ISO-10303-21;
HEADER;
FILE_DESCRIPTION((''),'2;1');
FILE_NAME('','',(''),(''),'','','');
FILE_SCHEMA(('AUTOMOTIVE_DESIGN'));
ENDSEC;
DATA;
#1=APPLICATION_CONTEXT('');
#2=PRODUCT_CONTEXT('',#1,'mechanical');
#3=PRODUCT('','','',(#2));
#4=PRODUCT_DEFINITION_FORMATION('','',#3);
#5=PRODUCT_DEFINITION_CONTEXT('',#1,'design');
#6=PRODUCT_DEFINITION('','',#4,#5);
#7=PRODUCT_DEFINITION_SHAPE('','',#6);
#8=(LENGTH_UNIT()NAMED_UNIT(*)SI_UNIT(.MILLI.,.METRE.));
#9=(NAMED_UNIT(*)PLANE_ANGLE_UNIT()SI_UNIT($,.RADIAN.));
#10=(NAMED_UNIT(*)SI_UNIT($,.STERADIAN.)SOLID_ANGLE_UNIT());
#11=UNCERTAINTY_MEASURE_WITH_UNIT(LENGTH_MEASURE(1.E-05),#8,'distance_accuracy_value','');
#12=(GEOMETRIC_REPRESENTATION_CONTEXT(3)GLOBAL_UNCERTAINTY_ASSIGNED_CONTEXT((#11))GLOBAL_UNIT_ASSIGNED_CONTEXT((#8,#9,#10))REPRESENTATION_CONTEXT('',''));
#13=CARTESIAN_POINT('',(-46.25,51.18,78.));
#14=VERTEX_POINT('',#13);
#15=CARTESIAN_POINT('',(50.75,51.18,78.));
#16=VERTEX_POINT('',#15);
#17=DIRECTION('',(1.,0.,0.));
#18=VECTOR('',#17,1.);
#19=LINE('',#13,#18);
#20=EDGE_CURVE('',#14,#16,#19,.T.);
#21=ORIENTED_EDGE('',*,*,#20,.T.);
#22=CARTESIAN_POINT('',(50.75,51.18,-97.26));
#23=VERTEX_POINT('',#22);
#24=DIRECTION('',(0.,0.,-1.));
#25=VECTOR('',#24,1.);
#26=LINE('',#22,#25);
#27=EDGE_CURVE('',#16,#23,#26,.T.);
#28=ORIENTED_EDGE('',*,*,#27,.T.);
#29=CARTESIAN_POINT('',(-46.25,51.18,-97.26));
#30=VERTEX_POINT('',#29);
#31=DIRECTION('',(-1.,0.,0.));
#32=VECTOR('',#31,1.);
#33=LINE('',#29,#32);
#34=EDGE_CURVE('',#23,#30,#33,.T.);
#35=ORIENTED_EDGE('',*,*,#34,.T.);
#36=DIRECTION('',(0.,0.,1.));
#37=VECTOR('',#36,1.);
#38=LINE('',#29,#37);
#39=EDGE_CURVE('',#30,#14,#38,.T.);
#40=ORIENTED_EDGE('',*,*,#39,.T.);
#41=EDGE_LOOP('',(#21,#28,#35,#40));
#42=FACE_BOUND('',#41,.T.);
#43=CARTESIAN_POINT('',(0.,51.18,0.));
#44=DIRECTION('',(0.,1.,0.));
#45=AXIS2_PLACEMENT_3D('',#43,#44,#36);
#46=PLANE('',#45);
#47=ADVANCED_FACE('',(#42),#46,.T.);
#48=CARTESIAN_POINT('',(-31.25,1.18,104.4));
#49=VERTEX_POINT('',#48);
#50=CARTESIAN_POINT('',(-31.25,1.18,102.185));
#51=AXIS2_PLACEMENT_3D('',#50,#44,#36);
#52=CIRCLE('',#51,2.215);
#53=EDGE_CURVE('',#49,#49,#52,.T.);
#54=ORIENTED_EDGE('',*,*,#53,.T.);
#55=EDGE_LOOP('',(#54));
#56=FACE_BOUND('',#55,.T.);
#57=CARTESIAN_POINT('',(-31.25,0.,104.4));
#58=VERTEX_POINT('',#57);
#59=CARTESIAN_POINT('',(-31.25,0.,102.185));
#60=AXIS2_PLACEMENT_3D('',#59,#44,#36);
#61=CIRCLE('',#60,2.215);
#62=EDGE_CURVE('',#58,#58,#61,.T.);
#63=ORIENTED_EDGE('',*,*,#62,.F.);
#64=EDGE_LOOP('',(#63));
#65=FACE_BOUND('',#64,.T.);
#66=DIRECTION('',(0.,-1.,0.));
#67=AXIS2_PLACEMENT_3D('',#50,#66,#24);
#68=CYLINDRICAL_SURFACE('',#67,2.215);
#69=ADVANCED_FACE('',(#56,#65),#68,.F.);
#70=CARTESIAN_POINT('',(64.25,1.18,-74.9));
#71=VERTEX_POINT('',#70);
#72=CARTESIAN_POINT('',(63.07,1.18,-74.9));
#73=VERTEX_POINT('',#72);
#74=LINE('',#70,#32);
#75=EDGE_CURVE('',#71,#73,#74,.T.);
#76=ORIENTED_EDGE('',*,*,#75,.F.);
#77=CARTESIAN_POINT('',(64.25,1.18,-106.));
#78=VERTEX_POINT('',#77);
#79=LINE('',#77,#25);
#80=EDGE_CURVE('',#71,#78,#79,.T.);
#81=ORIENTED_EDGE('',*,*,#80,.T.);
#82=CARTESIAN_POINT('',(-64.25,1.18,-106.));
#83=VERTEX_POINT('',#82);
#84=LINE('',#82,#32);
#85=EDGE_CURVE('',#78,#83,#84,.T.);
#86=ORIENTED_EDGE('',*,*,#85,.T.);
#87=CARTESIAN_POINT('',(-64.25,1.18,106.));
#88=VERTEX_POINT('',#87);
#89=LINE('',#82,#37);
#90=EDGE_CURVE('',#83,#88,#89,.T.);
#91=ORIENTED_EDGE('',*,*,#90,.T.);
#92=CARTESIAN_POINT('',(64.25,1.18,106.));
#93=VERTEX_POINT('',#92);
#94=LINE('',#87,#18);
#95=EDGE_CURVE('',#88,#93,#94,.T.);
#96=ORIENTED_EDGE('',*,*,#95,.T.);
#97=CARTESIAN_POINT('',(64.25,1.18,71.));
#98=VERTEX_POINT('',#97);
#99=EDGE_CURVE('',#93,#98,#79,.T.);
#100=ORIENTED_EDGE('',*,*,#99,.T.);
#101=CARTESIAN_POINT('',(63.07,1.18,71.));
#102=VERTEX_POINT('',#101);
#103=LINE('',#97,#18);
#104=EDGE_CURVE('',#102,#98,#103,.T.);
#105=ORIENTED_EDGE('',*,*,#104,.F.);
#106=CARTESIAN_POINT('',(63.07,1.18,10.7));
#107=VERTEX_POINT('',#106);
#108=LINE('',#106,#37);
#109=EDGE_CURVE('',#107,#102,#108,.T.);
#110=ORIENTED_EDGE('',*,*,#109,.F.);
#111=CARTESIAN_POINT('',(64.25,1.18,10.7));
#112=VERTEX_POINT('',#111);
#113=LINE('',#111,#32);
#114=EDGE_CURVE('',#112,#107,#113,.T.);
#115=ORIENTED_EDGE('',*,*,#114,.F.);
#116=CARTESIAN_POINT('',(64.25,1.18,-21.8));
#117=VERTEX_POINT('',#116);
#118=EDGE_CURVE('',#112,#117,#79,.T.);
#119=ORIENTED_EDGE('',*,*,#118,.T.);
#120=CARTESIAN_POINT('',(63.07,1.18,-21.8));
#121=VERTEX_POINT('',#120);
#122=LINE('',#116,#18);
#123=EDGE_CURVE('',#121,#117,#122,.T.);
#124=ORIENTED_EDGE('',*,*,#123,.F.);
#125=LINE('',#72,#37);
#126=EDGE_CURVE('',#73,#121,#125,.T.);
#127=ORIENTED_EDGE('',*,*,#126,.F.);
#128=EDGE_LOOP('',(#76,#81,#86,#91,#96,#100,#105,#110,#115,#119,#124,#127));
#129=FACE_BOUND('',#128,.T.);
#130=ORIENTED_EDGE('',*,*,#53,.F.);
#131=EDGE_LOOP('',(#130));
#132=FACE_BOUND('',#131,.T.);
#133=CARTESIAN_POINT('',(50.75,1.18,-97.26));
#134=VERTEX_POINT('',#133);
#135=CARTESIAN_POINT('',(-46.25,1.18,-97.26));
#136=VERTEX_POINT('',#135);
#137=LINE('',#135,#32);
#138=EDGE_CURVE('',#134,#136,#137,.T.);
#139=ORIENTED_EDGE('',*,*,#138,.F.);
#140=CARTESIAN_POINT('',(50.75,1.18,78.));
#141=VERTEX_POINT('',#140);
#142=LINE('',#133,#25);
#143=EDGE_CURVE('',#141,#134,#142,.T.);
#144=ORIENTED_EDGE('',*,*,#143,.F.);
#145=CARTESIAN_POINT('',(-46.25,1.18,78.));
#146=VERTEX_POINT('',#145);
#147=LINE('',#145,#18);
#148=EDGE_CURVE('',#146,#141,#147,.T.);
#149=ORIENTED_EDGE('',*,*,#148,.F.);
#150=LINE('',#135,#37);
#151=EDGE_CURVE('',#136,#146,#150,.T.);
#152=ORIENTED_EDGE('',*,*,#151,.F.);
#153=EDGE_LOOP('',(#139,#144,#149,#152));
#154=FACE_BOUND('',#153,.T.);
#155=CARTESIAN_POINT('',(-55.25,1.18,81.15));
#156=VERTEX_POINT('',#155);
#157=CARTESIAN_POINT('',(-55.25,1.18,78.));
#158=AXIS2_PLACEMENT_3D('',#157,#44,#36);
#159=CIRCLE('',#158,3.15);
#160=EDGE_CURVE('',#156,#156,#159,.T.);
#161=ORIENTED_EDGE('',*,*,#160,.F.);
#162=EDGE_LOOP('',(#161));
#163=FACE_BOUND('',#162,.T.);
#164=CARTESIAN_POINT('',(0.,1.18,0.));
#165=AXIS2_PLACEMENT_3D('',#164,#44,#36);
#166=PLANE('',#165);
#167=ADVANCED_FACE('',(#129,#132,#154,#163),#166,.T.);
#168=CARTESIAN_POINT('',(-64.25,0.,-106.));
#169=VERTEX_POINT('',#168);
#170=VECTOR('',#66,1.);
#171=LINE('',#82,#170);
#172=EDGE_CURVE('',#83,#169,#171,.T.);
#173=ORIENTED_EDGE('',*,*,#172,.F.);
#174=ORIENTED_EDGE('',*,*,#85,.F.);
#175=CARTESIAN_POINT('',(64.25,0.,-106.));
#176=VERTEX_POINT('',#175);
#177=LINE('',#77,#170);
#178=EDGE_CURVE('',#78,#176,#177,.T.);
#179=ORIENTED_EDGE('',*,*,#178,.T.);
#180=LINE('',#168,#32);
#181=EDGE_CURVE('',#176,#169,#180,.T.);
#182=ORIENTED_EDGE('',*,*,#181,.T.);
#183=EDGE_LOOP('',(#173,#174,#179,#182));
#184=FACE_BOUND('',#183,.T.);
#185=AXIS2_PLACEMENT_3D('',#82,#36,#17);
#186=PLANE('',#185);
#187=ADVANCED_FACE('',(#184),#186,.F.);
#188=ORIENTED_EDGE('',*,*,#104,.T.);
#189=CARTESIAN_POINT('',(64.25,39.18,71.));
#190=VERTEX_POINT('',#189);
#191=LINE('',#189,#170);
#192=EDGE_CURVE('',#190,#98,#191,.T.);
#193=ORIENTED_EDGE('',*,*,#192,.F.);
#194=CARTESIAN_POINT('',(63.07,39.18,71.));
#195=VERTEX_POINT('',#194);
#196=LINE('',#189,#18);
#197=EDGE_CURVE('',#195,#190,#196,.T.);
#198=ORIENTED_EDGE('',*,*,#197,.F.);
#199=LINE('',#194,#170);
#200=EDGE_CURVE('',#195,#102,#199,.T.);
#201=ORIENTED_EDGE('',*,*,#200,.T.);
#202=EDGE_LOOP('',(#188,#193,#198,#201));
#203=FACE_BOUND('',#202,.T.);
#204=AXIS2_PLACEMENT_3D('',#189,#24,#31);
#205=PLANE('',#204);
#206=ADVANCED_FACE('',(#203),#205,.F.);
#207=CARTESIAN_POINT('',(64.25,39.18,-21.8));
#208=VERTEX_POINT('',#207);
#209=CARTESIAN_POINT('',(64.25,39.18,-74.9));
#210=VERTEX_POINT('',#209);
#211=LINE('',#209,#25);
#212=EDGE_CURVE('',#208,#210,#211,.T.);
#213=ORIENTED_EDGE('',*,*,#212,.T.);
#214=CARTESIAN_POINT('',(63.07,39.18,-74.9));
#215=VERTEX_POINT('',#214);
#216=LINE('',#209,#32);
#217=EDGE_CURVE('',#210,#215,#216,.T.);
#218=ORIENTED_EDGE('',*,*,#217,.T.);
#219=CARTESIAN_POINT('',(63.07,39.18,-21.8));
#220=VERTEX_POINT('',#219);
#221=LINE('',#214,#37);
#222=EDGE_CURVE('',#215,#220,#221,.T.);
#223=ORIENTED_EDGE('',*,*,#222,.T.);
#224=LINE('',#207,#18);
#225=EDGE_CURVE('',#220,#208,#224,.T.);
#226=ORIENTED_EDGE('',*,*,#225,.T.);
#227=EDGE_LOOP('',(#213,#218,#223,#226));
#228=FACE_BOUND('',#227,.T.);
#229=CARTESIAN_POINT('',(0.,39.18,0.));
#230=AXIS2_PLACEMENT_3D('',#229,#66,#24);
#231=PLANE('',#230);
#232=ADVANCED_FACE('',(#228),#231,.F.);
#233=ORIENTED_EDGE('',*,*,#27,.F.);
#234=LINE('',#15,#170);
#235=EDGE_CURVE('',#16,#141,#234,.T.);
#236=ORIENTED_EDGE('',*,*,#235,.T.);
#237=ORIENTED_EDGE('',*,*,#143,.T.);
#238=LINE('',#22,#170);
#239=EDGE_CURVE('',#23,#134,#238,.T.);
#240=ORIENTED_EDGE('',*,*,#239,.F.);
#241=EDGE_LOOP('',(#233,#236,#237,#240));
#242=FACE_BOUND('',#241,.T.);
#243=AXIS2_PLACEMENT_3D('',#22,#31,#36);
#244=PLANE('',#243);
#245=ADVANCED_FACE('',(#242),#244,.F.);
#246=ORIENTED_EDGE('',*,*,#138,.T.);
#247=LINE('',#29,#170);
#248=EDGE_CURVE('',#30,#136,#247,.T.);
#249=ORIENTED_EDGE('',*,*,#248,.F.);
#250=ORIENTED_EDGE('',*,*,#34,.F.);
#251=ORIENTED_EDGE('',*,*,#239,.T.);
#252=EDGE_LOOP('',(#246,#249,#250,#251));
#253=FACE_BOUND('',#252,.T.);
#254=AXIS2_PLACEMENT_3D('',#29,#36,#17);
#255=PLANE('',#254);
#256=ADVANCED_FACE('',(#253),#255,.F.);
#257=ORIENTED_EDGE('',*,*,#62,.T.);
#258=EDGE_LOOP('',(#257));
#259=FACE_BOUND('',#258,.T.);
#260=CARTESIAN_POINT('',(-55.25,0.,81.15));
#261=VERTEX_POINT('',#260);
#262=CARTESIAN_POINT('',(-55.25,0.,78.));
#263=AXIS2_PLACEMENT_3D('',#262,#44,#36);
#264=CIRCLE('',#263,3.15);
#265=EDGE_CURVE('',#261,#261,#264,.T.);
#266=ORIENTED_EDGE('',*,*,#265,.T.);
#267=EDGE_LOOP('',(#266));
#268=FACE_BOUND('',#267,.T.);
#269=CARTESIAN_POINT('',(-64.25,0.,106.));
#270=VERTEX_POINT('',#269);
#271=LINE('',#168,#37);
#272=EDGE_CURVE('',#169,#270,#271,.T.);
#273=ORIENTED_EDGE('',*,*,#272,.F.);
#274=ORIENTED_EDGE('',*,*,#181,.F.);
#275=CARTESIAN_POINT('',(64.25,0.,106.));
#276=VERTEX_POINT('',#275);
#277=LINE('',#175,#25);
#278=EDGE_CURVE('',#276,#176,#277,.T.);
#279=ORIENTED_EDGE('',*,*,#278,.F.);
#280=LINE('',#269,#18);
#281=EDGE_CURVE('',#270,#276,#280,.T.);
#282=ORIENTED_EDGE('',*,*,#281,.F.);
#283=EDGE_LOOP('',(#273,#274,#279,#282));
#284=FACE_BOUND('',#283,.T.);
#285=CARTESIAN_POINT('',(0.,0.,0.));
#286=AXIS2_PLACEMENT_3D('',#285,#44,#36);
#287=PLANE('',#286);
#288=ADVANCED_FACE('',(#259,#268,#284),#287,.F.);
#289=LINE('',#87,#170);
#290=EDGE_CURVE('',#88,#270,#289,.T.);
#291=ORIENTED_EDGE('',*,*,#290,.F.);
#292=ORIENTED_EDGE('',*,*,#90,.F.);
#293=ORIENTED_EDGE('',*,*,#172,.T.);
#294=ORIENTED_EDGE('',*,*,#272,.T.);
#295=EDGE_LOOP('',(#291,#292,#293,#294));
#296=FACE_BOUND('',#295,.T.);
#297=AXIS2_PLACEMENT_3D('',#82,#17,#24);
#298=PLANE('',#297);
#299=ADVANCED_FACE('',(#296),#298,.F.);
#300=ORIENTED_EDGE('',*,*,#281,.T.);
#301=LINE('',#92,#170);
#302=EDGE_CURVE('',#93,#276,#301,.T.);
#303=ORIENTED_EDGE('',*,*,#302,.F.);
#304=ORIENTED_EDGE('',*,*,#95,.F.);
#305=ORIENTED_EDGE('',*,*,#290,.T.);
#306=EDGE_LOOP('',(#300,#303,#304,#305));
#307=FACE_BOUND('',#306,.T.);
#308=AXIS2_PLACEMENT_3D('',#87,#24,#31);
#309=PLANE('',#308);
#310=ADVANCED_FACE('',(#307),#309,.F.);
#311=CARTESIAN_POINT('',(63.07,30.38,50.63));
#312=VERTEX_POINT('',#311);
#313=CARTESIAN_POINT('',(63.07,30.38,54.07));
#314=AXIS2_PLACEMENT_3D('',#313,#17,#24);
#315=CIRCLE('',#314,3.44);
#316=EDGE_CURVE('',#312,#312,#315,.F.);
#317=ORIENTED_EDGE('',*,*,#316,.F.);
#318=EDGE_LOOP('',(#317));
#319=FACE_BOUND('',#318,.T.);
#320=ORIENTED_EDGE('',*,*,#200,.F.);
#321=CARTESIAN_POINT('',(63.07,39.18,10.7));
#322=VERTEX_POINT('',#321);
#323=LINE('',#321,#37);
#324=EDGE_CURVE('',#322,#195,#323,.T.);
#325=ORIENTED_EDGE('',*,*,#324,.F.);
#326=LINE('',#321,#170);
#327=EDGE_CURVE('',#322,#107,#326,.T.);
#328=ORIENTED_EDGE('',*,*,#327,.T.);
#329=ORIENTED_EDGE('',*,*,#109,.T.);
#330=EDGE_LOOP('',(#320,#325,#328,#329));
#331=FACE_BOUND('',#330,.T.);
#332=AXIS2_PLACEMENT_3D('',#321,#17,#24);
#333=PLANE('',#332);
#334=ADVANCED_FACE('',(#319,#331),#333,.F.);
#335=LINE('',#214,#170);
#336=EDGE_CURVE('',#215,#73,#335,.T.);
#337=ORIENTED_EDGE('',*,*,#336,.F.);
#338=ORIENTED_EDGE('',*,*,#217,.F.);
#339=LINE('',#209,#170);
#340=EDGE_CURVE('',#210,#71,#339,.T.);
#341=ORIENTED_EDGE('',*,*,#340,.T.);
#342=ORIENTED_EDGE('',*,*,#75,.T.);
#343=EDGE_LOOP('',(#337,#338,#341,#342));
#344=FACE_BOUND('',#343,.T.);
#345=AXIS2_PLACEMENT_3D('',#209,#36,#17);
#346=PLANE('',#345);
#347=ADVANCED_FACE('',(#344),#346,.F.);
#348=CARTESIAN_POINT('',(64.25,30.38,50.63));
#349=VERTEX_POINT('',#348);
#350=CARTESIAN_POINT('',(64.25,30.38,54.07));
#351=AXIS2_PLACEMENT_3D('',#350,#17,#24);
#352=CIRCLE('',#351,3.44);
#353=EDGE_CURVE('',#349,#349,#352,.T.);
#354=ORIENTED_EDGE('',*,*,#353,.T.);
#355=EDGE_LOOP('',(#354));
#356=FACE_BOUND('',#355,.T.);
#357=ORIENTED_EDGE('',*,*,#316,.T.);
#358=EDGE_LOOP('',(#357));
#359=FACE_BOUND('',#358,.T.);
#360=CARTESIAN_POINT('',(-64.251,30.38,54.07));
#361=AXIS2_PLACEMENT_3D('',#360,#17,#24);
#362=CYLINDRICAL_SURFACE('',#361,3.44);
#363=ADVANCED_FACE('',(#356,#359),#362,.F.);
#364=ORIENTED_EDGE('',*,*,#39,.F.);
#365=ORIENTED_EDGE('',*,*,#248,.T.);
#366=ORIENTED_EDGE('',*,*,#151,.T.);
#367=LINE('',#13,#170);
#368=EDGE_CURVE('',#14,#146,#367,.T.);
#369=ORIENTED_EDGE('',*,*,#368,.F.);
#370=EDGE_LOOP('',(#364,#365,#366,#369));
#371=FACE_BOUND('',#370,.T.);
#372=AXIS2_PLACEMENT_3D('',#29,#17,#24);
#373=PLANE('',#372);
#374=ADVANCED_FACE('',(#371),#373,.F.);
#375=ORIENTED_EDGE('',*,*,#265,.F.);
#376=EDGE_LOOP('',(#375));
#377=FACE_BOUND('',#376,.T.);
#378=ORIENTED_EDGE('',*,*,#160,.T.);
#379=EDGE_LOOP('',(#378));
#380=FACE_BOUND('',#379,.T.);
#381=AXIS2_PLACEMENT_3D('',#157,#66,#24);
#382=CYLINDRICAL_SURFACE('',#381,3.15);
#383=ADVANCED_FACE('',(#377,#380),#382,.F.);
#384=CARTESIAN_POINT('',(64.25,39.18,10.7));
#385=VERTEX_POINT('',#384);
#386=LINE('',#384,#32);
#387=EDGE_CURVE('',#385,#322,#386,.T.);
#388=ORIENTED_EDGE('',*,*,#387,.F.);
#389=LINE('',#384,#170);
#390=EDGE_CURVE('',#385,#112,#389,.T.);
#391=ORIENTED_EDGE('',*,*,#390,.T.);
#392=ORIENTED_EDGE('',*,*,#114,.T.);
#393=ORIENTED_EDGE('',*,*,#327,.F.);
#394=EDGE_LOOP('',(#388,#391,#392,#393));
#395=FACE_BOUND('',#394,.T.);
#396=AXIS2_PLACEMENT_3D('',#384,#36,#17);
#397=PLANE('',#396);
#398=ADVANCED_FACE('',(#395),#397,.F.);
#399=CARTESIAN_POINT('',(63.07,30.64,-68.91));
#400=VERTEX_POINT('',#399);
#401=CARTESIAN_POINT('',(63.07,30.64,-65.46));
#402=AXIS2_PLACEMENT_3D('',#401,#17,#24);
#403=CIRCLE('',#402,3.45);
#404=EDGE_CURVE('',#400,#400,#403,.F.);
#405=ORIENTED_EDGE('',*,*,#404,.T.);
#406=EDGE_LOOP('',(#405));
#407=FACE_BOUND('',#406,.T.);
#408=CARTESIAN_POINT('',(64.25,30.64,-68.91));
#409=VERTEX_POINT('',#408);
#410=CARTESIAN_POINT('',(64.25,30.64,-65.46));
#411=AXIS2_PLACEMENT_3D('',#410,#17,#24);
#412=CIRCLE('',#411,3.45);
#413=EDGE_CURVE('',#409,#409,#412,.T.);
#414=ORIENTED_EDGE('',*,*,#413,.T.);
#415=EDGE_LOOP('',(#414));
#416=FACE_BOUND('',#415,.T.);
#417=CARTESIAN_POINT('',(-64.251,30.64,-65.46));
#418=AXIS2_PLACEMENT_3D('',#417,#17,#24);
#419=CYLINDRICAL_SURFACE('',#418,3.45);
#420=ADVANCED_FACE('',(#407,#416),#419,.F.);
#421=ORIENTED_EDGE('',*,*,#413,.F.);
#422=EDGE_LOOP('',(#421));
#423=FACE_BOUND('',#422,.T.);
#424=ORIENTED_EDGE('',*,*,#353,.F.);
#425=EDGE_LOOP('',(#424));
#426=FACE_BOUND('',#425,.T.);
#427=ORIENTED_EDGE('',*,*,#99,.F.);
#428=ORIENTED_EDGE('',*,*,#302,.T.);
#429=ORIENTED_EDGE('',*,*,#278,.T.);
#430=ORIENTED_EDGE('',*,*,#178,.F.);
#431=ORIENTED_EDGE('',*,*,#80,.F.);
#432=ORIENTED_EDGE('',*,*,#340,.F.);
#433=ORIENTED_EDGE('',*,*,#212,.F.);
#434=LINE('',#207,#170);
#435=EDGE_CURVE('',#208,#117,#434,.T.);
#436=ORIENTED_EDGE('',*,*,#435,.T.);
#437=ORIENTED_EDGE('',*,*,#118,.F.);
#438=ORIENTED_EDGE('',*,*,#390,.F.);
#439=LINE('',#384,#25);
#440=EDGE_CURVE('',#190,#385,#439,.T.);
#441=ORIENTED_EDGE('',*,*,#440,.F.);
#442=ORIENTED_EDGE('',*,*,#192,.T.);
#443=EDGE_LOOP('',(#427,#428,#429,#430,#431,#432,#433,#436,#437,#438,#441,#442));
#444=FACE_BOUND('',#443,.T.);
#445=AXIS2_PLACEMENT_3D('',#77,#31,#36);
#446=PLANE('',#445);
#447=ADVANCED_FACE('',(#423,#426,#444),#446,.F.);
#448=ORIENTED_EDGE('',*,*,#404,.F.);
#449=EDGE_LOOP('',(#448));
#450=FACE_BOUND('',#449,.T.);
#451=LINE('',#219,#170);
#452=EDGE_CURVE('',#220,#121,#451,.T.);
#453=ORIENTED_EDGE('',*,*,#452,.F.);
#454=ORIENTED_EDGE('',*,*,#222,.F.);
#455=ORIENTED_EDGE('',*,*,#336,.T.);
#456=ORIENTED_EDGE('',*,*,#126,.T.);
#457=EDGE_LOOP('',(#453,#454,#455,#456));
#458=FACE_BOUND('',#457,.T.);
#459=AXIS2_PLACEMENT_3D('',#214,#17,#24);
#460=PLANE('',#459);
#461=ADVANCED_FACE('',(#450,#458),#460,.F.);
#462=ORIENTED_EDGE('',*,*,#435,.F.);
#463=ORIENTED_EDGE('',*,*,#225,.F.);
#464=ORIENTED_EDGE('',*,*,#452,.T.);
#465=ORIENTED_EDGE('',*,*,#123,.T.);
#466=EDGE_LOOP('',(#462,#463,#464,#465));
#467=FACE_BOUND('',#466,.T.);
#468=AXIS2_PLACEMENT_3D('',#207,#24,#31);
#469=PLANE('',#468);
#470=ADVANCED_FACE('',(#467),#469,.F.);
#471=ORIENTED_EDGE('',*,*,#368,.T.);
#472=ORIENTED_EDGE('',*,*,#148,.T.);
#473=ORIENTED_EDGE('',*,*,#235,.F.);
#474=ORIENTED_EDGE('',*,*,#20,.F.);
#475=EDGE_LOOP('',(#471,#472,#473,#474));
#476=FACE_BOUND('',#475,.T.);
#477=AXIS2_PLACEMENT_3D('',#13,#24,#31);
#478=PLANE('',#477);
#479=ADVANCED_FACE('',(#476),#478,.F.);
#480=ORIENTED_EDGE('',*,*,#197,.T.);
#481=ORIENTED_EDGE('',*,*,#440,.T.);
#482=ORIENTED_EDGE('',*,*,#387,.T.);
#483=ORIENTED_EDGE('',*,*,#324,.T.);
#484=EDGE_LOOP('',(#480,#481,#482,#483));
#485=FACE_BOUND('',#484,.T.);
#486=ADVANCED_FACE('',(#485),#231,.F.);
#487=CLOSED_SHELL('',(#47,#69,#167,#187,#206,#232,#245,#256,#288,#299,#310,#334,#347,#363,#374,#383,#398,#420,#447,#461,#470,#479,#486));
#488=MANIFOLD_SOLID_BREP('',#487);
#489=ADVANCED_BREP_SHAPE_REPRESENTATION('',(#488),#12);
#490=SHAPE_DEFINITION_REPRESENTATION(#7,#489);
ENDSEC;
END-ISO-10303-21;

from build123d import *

# Parameters (mm, degrees)
SKETCH1_W        = 128.5
SKETCH1_H        = 212
SKETCH1_R        = 3.15
SKETCH1_R_2      = 2.215
BASE_DEPTH       = 1.18
SKETCH4_W        = 97
SKETCH4_H        = 175.26
CAPACITORS_DEPTH = 50
SKETCH2_W        = 1.18
SKETCH2_H        = 60.3
SKETCH2_H_2      = 53.1
TABS_DEPTH       = 38
TAB_HOLES_REACH  = 130.5
SKETCH3_R        = 3.44
SKETCH3_R_2      = 3.45


with BuildPart() as part:
    # Sketch1 → Base (new body)
    with BuildSketch(Plane(origin=(0, 0, 0), x_dir=(1, 0, 0), z_dir=(0, 1, 0))):
        Rectangle(SKETCH1_W, SKETCH1_H)
        with Locations((-55.25, -78)):
            Circle(SKETCH1_R, mode=Mode.SUBTRACT)
        with Locations((-31.25, -102.185)):
            Circle(SKETCH1_R_2, mode=Mode.SUBTRACT)
    extrude(amount=BASE_DEPTH)

    # Sketch4 → Capacitors (add)
    with BuildSketch(Plane(origin=(0, 1.18, 0), x_dir=(1, 0, 0), z_dir=(0, 1, 0))):
        with Locations((2.25, 9.63)):
            Rectangle(SKETCH4_W, SKETCH4_H)
    extrude(amount=CAPACITORS_DEPTH)

    # Sketch2 → Tabs (add)
    with BuildSketch(Plane(origin=(0, 1.18, 0), x_dir=(1, 0, 0), z_dir=(0, 1, 0))):
        with Locations((63.66, -40.85)):
            Rectangle(SKETCH2_W, SKETCH2_H)
        with Locations((63.66, 48.35)):
            Rectangle(SKETCH2_W, SKETCH2_H_2)
    extrude(amount=TABS_DEPTH)

    # Sketch3 → Tab Holes (cut, up to next)
    with BuildSketch(Plane(origin=(64.25, 0, 0), x_dir=(0, 0, -1), z_dir=(1, 0, 0)), mode=Mode.PRIVATE) as tab_holes_sk1:
        with Locations((-54.07, 30.38)):
            Circle(SKETCH3_R)
    tab_holes_tool1 = extrude(tab_holes_sk1.sketch, amount=-TAB_HOLES_REACH, mode=Mode.PRIVATE) & part.part
    add(tab_holes_tool1.solids().sort_by_distance((64.25, 30.38, 54.07))[0], mode=Mode.SUBTRACT)
    # Sketch3 → Tab Holes (cut, up to next)
    with BuildSketch(Plane(origin=(64.25, 0, 0), x_dir=(0, 0, -1), z_dir=(1, 0, 0)), mode=Mode.PRIVATE) as tab_holes_sk2:
        with Locations((65.46, 30.64)):
            Circle(SKETCH3_R_2)
    tab_holes_tool2 = extrude(tab_holes_sk2.sketch, amount=-TAB_HOLES_REACH, mode=Mode.PRIVATE) & part.part
    add(tab_holes_tool2.solids().sort_by_distance((64.25, 30.64, -65.46))[0], mode=Mode.SUBTRACT)


solid = part.part
